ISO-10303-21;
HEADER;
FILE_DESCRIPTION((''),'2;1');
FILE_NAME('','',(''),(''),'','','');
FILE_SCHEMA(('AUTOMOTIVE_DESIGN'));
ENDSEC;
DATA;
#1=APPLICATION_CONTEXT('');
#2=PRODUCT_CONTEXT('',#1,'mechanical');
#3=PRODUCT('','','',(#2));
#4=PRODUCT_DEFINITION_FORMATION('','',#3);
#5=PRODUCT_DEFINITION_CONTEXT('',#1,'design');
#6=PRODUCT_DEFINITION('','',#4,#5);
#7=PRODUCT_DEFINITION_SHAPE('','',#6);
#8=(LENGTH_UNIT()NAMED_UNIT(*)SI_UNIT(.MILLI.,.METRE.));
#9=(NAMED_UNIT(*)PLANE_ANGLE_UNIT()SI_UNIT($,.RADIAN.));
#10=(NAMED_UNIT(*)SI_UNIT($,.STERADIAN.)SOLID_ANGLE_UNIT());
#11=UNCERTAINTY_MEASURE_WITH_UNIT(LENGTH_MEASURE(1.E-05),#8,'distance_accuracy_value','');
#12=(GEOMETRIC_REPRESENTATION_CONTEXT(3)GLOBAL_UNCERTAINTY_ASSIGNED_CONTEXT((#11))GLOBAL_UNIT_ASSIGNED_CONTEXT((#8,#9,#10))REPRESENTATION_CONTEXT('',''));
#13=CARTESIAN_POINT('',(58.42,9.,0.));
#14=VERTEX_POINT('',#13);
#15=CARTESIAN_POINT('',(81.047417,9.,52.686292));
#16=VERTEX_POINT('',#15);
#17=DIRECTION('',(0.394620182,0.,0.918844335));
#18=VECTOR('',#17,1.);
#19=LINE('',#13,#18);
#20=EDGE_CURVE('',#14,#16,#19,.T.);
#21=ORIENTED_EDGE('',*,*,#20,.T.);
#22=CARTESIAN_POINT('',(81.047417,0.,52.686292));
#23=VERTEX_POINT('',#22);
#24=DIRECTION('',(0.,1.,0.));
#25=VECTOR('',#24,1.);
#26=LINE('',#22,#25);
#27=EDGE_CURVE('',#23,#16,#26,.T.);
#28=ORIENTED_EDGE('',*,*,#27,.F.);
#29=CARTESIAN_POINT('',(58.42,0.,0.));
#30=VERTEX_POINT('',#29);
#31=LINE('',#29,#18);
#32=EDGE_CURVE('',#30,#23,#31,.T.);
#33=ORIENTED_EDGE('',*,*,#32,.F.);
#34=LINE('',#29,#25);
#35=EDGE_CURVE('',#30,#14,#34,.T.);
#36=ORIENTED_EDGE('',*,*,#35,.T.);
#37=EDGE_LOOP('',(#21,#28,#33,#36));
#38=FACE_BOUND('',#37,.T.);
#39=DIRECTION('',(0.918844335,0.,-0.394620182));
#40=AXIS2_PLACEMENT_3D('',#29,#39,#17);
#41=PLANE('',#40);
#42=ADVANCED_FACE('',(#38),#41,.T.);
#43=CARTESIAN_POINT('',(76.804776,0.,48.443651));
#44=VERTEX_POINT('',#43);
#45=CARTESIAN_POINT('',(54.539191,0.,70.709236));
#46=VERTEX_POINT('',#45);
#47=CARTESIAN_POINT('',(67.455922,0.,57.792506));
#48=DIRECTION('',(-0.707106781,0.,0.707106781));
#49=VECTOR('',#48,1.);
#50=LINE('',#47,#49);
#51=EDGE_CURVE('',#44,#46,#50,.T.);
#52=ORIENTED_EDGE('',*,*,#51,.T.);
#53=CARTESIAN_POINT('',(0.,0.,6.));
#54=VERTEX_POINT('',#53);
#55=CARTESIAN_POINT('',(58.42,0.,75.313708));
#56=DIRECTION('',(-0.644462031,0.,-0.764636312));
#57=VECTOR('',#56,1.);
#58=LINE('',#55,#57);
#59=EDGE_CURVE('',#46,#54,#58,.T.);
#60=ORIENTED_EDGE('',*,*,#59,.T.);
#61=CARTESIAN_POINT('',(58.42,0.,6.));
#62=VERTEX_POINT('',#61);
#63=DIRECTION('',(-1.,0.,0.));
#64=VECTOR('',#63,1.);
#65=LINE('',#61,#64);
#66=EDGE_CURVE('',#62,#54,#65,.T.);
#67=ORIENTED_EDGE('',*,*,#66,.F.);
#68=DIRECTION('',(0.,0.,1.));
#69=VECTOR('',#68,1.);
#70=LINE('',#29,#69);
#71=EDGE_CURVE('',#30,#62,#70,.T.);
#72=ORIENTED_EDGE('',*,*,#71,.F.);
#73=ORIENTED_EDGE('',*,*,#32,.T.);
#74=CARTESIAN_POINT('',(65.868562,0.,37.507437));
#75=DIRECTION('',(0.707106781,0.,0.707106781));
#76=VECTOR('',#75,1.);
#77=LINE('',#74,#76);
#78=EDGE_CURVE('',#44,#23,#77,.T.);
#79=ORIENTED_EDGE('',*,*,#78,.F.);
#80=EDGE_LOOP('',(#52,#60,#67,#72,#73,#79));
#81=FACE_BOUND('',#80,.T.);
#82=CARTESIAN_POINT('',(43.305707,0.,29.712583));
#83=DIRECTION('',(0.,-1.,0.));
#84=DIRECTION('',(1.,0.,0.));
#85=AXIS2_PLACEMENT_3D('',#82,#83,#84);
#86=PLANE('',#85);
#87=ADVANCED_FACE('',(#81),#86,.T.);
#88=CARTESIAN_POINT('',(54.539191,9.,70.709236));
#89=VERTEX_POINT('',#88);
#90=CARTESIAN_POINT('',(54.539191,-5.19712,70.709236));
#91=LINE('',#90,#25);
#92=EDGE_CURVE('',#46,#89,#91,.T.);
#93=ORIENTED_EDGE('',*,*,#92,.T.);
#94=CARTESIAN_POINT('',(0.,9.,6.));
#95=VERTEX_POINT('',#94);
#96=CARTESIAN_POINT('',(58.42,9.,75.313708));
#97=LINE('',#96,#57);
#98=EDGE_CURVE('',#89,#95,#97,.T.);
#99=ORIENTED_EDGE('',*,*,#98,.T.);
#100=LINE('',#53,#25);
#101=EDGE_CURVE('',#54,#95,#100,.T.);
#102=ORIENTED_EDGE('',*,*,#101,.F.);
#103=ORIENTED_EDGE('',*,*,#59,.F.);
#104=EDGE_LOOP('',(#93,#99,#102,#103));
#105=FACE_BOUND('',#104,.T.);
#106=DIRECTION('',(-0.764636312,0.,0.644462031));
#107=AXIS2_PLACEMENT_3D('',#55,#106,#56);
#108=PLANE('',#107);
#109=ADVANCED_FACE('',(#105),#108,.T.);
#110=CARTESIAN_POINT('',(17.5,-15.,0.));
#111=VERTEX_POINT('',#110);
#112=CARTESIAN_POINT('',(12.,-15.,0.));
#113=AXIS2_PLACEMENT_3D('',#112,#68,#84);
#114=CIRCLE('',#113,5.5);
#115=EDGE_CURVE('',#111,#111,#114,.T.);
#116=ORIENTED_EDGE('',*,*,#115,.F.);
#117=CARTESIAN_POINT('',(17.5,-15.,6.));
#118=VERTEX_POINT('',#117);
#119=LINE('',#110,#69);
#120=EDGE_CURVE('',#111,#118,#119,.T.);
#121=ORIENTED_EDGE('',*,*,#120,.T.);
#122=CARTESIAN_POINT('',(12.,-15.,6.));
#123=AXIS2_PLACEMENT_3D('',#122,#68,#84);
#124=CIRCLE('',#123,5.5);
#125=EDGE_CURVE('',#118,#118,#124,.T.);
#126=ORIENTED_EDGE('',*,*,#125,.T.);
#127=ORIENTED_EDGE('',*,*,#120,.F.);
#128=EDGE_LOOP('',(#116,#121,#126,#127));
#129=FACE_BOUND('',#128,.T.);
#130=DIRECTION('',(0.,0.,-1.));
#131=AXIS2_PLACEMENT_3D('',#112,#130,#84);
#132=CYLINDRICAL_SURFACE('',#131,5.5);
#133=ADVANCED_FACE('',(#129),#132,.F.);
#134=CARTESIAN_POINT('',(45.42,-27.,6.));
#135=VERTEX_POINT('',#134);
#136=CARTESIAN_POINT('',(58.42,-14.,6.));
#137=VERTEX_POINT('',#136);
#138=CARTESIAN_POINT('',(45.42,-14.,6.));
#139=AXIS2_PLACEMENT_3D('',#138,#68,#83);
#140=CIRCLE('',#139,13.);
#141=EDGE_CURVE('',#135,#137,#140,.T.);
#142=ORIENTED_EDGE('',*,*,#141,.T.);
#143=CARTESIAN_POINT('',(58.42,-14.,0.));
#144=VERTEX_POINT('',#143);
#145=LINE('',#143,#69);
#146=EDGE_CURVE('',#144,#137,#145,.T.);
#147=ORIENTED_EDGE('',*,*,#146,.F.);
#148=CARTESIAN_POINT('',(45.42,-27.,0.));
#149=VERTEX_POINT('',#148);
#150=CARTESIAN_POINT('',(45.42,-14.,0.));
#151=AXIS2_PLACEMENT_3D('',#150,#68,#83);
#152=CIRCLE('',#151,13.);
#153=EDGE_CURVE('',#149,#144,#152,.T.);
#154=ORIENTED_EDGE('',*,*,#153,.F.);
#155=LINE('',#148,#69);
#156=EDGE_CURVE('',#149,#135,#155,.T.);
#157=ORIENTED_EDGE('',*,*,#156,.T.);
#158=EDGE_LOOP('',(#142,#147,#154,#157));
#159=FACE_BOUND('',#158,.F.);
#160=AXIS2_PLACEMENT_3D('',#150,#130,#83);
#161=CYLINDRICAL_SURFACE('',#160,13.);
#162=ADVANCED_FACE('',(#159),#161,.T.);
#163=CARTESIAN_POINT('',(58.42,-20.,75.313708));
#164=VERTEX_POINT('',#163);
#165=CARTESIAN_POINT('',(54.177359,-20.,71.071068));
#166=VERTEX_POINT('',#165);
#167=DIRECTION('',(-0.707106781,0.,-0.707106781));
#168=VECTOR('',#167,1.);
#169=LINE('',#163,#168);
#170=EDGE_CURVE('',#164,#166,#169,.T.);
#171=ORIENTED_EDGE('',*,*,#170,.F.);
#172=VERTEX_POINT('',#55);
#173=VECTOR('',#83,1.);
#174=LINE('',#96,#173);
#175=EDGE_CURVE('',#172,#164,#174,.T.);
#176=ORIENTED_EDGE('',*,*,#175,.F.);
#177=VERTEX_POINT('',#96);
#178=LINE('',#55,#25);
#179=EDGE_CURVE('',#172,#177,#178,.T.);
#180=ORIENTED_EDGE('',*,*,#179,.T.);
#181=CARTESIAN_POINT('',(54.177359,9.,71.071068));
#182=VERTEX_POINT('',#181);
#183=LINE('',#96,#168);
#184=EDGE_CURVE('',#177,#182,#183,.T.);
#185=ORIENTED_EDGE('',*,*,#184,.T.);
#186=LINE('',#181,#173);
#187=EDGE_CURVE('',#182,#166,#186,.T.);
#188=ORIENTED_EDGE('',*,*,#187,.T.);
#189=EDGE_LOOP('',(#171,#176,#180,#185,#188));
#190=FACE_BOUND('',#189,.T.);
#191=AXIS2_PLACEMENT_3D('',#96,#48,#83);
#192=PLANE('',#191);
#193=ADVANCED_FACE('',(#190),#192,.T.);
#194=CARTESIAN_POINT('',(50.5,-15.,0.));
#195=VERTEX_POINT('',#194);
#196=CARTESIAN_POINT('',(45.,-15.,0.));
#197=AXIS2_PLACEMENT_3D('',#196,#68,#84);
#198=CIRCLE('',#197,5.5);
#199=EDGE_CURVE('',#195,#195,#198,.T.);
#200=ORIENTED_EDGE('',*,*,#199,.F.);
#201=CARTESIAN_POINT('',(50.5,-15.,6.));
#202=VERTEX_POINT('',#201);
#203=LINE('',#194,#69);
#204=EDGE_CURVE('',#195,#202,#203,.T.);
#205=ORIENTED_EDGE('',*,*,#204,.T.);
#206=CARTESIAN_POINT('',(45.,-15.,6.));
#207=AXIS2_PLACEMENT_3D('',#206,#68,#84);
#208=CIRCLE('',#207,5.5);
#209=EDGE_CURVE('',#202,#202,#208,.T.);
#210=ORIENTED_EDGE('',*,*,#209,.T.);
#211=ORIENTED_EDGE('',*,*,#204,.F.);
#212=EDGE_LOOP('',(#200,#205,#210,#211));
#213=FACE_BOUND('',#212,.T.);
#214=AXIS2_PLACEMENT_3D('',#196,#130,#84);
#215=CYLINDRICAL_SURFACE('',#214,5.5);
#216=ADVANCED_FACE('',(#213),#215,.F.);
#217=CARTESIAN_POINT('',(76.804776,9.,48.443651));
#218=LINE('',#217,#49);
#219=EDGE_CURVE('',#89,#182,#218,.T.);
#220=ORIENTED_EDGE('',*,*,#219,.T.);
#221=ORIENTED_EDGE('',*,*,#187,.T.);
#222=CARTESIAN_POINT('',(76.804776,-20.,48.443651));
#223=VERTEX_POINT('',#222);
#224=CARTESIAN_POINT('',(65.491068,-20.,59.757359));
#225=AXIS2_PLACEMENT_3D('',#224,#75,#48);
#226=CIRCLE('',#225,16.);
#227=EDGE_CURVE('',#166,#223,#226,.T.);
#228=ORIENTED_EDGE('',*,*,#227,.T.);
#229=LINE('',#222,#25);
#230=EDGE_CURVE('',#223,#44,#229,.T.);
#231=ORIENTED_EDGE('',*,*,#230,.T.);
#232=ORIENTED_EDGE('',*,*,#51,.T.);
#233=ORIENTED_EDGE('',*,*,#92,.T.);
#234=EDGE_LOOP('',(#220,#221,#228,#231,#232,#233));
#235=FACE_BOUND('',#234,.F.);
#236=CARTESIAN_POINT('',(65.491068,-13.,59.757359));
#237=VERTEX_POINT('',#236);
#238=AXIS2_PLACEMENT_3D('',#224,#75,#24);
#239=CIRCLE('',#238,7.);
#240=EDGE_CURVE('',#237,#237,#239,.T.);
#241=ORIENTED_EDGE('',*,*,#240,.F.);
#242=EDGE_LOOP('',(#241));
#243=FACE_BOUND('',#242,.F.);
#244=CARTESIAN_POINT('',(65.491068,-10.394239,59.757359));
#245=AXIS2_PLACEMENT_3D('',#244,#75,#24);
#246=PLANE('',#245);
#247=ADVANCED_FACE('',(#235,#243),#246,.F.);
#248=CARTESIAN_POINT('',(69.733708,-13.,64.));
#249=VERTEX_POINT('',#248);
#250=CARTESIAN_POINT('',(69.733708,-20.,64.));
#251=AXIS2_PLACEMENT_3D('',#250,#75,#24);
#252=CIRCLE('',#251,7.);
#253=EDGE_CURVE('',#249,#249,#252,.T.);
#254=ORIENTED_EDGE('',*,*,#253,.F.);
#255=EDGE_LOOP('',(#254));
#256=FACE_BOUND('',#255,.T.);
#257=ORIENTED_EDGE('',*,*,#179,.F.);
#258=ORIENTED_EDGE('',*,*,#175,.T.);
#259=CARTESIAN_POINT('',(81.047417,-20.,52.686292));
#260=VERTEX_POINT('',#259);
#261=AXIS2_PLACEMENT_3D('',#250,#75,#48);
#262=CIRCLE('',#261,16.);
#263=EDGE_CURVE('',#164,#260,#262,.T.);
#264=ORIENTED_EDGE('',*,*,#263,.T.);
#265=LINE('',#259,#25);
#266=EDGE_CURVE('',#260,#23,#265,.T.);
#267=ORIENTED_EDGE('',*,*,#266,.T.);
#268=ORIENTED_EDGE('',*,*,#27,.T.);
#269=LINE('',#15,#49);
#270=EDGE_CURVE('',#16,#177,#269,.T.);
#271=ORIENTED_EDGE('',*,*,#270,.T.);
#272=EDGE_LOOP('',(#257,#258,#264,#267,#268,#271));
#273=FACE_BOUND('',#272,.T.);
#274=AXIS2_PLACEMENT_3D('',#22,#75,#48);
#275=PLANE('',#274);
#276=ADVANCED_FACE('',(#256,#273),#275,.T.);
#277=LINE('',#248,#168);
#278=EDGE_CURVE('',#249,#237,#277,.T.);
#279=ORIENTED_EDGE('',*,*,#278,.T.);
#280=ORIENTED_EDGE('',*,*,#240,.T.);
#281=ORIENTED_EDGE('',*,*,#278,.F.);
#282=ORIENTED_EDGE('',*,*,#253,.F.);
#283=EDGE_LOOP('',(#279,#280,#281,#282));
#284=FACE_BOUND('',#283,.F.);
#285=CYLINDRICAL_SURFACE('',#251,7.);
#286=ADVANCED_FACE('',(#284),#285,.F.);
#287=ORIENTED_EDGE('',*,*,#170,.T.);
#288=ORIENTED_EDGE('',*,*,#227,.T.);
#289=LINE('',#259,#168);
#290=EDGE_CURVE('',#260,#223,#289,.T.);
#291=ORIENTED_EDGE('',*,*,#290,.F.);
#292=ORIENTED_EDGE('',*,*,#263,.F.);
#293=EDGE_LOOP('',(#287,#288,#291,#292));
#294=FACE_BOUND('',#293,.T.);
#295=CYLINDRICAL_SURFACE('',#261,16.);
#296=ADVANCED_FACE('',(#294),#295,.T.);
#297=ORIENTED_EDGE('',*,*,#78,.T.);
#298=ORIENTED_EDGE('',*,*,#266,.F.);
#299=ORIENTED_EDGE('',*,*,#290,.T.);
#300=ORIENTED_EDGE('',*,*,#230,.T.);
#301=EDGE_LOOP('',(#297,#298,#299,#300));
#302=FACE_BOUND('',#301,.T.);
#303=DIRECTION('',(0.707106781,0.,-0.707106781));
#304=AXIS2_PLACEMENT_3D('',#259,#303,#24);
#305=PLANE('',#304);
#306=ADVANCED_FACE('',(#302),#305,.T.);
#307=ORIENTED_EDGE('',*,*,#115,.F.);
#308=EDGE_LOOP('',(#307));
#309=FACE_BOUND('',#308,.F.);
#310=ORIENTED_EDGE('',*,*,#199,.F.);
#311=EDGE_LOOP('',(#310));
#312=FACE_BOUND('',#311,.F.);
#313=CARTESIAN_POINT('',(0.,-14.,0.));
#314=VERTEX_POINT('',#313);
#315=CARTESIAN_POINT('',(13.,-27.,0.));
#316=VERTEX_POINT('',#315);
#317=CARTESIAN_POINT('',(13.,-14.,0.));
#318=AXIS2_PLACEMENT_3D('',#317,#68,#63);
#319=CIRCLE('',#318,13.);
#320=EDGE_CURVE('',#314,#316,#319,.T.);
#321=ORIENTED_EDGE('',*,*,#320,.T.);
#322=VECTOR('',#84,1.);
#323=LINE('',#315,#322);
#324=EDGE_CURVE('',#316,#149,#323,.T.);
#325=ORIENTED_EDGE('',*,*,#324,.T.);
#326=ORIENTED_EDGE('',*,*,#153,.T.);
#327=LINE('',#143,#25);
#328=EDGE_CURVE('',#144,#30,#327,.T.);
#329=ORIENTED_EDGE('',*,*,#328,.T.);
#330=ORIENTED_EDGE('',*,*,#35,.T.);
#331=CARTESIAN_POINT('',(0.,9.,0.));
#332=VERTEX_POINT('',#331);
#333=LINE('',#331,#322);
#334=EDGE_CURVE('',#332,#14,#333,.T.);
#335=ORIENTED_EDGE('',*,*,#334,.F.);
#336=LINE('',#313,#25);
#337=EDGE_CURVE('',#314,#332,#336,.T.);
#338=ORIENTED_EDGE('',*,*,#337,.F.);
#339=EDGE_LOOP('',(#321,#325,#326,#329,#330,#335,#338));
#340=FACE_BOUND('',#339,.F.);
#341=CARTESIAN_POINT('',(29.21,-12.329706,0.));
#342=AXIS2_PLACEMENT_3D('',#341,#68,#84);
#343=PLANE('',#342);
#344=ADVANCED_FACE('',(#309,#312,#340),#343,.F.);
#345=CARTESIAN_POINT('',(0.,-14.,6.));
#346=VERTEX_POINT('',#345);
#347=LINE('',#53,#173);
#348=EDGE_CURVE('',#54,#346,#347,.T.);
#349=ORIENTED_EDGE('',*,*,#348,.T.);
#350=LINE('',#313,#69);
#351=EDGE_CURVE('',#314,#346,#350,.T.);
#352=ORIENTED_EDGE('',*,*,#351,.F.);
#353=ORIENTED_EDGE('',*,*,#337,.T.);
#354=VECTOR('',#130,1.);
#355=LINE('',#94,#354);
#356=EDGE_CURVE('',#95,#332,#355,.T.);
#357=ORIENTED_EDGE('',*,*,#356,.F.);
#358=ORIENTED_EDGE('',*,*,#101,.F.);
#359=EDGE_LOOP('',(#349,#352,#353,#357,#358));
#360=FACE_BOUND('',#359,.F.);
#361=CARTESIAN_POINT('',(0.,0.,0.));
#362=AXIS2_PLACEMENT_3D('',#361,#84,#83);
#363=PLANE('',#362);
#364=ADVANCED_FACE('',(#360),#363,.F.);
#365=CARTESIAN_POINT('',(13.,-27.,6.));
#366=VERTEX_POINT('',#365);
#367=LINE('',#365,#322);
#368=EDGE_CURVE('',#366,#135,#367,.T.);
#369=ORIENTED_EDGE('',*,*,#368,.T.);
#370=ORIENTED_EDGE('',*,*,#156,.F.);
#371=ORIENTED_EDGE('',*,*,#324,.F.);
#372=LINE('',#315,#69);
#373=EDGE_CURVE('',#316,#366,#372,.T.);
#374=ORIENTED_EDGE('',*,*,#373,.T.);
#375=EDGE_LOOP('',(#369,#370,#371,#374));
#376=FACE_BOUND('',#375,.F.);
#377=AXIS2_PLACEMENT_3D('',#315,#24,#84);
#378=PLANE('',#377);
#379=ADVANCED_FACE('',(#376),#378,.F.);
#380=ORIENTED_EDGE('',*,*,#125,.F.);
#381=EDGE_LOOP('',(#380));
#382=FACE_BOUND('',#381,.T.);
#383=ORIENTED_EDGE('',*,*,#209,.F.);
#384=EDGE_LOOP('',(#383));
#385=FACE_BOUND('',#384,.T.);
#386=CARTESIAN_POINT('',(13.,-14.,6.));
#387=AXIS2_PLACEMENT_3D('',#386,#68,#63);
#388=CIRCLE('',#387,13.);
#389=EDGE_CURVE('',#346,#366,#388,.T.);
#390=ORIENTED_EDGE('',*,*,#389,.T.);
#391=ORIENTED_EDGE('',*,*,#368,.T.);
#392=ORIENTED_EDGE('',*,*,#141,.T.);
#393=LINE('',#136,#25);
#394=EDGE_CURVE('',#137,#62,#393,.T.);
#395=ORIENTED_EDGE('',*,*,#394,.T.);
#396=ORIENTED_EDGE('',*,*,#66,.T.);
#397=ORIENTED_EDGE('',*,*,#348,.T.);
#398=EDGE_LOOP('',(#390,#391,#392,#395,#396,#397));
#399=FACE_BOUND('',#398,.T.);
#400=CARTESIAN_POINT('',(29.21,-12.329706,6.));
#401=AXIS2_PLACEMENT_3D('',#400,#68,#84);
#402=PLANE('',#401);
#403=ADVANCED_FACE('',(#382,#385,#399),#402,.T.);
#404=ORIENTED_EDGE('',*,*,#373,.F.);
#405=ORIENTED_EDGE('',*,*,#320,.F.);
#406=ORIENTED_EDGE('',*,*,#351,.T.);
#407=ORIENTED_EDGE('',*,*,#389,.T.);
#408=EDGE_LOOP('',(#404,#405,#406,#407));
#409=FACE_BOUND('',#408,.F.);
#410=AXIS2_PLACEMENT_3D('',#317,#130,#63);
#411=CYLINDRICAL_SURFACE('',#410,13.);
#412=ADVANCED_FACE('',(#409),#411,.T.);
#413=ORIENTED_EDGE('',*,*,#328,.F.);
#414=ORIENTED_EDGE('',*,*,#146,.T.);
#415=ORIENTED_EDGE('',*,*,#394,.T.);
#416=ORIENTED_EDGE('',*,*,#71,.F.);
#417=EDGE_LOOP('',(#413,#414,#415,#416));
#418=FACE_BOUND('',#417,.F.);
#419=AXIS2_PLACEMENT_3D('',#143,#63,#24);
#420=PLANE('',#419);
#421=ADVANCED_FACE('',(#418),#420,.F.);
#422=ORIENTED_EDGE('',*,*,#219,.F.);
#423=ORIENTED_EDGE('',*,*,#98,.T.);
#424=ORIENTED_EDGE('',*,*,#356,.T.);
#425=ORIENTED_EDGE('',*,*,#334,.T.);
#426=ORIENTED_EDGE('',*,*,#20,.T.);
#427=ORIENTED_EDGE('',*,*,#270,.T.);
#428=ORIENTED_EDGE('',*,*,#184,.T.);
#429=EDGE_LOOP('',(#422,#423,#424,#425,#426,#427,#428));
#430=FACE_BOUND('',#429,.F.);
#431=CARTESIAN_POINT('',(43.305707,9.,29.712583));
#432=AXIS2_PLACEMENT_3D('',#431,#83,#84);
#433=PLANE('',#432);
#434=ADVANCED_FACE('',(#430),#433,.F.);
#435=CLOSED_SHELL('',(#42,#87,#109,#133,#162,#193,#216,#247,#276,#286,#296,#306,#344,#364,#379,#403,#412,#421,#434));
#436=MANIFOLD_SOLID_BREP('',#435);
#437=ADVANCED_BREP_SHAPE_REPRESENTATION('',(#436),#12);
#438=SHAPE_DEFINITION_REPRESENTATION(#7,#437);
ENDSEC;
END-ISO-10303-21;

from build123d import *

# Parameters (mm, degrees)
F1_DEPTH = 9
F2_R     = 5.5
F3_DEPTH = 6
F5_R     = 7
F6_DEPTH = 6


with BuildPart() as f1:
    # F0 (on Front) → F1 (new body)
    with BuildSketch(Plane.XZ):
        Polygon((81.047416998, 52.686291501), (58.42, 75.313708499), (0, 6), (0, 0), (58.42, 0), align=None)
    extrude(amount=-F1_DEPTH)

    # F2 (on Top) → F3 (join)
    with BuildSketch(Plane.XY):
        with BuildLine():
            Line((58.42, 0), (0, 0))
            Line((0, 0), (0, -14))
            ThreePointArc((0, -14), (3.8076118446, -23.1923881554), (13, -27))
            Line((13, -27), (45.42, -27))
            ThreePointArc((45.42, -27), (54.6123881554, -23.1923881554), (58.42, -14))
            Line((58.42, -14), (58.42, 0))
        make_face()
        with Locations((12, -15)):
            Circle(F2_R, mode=Mode.SUBTRACT)
        with Locations((45, -15)):
            Circle(F2_R, mode=Mode.SUBTRACT)
    extrude(amount=F3_DEPTH)

    # F5 (on offset) → F6 (join)
    with BuildSketch(Plane(origin=(66.8668542495, 0, 66.8668542495), x_dir=(0, 1, 0), z_dir=(0.7071067812, 0, 0.7071067812))):
        with BuildLine():
            Line((9, -20.054344161), (9, 11.945655839))
            Line((9, 11.945655839), (-20, 11.945655839))
            ThreePointArc((-20, 11.945655839), (-36, -4.054344161), (-20, -20.054344161))
            Line((-20, -20.054344161), (9, -20.054344161))
        make_face()
        with Locations((-20, -4.054344161)):
            Circle(F5_R, mode=Mode.SUBTRACT)
    extrude(amount=-F6_DEPTH)


solid = f1.part
